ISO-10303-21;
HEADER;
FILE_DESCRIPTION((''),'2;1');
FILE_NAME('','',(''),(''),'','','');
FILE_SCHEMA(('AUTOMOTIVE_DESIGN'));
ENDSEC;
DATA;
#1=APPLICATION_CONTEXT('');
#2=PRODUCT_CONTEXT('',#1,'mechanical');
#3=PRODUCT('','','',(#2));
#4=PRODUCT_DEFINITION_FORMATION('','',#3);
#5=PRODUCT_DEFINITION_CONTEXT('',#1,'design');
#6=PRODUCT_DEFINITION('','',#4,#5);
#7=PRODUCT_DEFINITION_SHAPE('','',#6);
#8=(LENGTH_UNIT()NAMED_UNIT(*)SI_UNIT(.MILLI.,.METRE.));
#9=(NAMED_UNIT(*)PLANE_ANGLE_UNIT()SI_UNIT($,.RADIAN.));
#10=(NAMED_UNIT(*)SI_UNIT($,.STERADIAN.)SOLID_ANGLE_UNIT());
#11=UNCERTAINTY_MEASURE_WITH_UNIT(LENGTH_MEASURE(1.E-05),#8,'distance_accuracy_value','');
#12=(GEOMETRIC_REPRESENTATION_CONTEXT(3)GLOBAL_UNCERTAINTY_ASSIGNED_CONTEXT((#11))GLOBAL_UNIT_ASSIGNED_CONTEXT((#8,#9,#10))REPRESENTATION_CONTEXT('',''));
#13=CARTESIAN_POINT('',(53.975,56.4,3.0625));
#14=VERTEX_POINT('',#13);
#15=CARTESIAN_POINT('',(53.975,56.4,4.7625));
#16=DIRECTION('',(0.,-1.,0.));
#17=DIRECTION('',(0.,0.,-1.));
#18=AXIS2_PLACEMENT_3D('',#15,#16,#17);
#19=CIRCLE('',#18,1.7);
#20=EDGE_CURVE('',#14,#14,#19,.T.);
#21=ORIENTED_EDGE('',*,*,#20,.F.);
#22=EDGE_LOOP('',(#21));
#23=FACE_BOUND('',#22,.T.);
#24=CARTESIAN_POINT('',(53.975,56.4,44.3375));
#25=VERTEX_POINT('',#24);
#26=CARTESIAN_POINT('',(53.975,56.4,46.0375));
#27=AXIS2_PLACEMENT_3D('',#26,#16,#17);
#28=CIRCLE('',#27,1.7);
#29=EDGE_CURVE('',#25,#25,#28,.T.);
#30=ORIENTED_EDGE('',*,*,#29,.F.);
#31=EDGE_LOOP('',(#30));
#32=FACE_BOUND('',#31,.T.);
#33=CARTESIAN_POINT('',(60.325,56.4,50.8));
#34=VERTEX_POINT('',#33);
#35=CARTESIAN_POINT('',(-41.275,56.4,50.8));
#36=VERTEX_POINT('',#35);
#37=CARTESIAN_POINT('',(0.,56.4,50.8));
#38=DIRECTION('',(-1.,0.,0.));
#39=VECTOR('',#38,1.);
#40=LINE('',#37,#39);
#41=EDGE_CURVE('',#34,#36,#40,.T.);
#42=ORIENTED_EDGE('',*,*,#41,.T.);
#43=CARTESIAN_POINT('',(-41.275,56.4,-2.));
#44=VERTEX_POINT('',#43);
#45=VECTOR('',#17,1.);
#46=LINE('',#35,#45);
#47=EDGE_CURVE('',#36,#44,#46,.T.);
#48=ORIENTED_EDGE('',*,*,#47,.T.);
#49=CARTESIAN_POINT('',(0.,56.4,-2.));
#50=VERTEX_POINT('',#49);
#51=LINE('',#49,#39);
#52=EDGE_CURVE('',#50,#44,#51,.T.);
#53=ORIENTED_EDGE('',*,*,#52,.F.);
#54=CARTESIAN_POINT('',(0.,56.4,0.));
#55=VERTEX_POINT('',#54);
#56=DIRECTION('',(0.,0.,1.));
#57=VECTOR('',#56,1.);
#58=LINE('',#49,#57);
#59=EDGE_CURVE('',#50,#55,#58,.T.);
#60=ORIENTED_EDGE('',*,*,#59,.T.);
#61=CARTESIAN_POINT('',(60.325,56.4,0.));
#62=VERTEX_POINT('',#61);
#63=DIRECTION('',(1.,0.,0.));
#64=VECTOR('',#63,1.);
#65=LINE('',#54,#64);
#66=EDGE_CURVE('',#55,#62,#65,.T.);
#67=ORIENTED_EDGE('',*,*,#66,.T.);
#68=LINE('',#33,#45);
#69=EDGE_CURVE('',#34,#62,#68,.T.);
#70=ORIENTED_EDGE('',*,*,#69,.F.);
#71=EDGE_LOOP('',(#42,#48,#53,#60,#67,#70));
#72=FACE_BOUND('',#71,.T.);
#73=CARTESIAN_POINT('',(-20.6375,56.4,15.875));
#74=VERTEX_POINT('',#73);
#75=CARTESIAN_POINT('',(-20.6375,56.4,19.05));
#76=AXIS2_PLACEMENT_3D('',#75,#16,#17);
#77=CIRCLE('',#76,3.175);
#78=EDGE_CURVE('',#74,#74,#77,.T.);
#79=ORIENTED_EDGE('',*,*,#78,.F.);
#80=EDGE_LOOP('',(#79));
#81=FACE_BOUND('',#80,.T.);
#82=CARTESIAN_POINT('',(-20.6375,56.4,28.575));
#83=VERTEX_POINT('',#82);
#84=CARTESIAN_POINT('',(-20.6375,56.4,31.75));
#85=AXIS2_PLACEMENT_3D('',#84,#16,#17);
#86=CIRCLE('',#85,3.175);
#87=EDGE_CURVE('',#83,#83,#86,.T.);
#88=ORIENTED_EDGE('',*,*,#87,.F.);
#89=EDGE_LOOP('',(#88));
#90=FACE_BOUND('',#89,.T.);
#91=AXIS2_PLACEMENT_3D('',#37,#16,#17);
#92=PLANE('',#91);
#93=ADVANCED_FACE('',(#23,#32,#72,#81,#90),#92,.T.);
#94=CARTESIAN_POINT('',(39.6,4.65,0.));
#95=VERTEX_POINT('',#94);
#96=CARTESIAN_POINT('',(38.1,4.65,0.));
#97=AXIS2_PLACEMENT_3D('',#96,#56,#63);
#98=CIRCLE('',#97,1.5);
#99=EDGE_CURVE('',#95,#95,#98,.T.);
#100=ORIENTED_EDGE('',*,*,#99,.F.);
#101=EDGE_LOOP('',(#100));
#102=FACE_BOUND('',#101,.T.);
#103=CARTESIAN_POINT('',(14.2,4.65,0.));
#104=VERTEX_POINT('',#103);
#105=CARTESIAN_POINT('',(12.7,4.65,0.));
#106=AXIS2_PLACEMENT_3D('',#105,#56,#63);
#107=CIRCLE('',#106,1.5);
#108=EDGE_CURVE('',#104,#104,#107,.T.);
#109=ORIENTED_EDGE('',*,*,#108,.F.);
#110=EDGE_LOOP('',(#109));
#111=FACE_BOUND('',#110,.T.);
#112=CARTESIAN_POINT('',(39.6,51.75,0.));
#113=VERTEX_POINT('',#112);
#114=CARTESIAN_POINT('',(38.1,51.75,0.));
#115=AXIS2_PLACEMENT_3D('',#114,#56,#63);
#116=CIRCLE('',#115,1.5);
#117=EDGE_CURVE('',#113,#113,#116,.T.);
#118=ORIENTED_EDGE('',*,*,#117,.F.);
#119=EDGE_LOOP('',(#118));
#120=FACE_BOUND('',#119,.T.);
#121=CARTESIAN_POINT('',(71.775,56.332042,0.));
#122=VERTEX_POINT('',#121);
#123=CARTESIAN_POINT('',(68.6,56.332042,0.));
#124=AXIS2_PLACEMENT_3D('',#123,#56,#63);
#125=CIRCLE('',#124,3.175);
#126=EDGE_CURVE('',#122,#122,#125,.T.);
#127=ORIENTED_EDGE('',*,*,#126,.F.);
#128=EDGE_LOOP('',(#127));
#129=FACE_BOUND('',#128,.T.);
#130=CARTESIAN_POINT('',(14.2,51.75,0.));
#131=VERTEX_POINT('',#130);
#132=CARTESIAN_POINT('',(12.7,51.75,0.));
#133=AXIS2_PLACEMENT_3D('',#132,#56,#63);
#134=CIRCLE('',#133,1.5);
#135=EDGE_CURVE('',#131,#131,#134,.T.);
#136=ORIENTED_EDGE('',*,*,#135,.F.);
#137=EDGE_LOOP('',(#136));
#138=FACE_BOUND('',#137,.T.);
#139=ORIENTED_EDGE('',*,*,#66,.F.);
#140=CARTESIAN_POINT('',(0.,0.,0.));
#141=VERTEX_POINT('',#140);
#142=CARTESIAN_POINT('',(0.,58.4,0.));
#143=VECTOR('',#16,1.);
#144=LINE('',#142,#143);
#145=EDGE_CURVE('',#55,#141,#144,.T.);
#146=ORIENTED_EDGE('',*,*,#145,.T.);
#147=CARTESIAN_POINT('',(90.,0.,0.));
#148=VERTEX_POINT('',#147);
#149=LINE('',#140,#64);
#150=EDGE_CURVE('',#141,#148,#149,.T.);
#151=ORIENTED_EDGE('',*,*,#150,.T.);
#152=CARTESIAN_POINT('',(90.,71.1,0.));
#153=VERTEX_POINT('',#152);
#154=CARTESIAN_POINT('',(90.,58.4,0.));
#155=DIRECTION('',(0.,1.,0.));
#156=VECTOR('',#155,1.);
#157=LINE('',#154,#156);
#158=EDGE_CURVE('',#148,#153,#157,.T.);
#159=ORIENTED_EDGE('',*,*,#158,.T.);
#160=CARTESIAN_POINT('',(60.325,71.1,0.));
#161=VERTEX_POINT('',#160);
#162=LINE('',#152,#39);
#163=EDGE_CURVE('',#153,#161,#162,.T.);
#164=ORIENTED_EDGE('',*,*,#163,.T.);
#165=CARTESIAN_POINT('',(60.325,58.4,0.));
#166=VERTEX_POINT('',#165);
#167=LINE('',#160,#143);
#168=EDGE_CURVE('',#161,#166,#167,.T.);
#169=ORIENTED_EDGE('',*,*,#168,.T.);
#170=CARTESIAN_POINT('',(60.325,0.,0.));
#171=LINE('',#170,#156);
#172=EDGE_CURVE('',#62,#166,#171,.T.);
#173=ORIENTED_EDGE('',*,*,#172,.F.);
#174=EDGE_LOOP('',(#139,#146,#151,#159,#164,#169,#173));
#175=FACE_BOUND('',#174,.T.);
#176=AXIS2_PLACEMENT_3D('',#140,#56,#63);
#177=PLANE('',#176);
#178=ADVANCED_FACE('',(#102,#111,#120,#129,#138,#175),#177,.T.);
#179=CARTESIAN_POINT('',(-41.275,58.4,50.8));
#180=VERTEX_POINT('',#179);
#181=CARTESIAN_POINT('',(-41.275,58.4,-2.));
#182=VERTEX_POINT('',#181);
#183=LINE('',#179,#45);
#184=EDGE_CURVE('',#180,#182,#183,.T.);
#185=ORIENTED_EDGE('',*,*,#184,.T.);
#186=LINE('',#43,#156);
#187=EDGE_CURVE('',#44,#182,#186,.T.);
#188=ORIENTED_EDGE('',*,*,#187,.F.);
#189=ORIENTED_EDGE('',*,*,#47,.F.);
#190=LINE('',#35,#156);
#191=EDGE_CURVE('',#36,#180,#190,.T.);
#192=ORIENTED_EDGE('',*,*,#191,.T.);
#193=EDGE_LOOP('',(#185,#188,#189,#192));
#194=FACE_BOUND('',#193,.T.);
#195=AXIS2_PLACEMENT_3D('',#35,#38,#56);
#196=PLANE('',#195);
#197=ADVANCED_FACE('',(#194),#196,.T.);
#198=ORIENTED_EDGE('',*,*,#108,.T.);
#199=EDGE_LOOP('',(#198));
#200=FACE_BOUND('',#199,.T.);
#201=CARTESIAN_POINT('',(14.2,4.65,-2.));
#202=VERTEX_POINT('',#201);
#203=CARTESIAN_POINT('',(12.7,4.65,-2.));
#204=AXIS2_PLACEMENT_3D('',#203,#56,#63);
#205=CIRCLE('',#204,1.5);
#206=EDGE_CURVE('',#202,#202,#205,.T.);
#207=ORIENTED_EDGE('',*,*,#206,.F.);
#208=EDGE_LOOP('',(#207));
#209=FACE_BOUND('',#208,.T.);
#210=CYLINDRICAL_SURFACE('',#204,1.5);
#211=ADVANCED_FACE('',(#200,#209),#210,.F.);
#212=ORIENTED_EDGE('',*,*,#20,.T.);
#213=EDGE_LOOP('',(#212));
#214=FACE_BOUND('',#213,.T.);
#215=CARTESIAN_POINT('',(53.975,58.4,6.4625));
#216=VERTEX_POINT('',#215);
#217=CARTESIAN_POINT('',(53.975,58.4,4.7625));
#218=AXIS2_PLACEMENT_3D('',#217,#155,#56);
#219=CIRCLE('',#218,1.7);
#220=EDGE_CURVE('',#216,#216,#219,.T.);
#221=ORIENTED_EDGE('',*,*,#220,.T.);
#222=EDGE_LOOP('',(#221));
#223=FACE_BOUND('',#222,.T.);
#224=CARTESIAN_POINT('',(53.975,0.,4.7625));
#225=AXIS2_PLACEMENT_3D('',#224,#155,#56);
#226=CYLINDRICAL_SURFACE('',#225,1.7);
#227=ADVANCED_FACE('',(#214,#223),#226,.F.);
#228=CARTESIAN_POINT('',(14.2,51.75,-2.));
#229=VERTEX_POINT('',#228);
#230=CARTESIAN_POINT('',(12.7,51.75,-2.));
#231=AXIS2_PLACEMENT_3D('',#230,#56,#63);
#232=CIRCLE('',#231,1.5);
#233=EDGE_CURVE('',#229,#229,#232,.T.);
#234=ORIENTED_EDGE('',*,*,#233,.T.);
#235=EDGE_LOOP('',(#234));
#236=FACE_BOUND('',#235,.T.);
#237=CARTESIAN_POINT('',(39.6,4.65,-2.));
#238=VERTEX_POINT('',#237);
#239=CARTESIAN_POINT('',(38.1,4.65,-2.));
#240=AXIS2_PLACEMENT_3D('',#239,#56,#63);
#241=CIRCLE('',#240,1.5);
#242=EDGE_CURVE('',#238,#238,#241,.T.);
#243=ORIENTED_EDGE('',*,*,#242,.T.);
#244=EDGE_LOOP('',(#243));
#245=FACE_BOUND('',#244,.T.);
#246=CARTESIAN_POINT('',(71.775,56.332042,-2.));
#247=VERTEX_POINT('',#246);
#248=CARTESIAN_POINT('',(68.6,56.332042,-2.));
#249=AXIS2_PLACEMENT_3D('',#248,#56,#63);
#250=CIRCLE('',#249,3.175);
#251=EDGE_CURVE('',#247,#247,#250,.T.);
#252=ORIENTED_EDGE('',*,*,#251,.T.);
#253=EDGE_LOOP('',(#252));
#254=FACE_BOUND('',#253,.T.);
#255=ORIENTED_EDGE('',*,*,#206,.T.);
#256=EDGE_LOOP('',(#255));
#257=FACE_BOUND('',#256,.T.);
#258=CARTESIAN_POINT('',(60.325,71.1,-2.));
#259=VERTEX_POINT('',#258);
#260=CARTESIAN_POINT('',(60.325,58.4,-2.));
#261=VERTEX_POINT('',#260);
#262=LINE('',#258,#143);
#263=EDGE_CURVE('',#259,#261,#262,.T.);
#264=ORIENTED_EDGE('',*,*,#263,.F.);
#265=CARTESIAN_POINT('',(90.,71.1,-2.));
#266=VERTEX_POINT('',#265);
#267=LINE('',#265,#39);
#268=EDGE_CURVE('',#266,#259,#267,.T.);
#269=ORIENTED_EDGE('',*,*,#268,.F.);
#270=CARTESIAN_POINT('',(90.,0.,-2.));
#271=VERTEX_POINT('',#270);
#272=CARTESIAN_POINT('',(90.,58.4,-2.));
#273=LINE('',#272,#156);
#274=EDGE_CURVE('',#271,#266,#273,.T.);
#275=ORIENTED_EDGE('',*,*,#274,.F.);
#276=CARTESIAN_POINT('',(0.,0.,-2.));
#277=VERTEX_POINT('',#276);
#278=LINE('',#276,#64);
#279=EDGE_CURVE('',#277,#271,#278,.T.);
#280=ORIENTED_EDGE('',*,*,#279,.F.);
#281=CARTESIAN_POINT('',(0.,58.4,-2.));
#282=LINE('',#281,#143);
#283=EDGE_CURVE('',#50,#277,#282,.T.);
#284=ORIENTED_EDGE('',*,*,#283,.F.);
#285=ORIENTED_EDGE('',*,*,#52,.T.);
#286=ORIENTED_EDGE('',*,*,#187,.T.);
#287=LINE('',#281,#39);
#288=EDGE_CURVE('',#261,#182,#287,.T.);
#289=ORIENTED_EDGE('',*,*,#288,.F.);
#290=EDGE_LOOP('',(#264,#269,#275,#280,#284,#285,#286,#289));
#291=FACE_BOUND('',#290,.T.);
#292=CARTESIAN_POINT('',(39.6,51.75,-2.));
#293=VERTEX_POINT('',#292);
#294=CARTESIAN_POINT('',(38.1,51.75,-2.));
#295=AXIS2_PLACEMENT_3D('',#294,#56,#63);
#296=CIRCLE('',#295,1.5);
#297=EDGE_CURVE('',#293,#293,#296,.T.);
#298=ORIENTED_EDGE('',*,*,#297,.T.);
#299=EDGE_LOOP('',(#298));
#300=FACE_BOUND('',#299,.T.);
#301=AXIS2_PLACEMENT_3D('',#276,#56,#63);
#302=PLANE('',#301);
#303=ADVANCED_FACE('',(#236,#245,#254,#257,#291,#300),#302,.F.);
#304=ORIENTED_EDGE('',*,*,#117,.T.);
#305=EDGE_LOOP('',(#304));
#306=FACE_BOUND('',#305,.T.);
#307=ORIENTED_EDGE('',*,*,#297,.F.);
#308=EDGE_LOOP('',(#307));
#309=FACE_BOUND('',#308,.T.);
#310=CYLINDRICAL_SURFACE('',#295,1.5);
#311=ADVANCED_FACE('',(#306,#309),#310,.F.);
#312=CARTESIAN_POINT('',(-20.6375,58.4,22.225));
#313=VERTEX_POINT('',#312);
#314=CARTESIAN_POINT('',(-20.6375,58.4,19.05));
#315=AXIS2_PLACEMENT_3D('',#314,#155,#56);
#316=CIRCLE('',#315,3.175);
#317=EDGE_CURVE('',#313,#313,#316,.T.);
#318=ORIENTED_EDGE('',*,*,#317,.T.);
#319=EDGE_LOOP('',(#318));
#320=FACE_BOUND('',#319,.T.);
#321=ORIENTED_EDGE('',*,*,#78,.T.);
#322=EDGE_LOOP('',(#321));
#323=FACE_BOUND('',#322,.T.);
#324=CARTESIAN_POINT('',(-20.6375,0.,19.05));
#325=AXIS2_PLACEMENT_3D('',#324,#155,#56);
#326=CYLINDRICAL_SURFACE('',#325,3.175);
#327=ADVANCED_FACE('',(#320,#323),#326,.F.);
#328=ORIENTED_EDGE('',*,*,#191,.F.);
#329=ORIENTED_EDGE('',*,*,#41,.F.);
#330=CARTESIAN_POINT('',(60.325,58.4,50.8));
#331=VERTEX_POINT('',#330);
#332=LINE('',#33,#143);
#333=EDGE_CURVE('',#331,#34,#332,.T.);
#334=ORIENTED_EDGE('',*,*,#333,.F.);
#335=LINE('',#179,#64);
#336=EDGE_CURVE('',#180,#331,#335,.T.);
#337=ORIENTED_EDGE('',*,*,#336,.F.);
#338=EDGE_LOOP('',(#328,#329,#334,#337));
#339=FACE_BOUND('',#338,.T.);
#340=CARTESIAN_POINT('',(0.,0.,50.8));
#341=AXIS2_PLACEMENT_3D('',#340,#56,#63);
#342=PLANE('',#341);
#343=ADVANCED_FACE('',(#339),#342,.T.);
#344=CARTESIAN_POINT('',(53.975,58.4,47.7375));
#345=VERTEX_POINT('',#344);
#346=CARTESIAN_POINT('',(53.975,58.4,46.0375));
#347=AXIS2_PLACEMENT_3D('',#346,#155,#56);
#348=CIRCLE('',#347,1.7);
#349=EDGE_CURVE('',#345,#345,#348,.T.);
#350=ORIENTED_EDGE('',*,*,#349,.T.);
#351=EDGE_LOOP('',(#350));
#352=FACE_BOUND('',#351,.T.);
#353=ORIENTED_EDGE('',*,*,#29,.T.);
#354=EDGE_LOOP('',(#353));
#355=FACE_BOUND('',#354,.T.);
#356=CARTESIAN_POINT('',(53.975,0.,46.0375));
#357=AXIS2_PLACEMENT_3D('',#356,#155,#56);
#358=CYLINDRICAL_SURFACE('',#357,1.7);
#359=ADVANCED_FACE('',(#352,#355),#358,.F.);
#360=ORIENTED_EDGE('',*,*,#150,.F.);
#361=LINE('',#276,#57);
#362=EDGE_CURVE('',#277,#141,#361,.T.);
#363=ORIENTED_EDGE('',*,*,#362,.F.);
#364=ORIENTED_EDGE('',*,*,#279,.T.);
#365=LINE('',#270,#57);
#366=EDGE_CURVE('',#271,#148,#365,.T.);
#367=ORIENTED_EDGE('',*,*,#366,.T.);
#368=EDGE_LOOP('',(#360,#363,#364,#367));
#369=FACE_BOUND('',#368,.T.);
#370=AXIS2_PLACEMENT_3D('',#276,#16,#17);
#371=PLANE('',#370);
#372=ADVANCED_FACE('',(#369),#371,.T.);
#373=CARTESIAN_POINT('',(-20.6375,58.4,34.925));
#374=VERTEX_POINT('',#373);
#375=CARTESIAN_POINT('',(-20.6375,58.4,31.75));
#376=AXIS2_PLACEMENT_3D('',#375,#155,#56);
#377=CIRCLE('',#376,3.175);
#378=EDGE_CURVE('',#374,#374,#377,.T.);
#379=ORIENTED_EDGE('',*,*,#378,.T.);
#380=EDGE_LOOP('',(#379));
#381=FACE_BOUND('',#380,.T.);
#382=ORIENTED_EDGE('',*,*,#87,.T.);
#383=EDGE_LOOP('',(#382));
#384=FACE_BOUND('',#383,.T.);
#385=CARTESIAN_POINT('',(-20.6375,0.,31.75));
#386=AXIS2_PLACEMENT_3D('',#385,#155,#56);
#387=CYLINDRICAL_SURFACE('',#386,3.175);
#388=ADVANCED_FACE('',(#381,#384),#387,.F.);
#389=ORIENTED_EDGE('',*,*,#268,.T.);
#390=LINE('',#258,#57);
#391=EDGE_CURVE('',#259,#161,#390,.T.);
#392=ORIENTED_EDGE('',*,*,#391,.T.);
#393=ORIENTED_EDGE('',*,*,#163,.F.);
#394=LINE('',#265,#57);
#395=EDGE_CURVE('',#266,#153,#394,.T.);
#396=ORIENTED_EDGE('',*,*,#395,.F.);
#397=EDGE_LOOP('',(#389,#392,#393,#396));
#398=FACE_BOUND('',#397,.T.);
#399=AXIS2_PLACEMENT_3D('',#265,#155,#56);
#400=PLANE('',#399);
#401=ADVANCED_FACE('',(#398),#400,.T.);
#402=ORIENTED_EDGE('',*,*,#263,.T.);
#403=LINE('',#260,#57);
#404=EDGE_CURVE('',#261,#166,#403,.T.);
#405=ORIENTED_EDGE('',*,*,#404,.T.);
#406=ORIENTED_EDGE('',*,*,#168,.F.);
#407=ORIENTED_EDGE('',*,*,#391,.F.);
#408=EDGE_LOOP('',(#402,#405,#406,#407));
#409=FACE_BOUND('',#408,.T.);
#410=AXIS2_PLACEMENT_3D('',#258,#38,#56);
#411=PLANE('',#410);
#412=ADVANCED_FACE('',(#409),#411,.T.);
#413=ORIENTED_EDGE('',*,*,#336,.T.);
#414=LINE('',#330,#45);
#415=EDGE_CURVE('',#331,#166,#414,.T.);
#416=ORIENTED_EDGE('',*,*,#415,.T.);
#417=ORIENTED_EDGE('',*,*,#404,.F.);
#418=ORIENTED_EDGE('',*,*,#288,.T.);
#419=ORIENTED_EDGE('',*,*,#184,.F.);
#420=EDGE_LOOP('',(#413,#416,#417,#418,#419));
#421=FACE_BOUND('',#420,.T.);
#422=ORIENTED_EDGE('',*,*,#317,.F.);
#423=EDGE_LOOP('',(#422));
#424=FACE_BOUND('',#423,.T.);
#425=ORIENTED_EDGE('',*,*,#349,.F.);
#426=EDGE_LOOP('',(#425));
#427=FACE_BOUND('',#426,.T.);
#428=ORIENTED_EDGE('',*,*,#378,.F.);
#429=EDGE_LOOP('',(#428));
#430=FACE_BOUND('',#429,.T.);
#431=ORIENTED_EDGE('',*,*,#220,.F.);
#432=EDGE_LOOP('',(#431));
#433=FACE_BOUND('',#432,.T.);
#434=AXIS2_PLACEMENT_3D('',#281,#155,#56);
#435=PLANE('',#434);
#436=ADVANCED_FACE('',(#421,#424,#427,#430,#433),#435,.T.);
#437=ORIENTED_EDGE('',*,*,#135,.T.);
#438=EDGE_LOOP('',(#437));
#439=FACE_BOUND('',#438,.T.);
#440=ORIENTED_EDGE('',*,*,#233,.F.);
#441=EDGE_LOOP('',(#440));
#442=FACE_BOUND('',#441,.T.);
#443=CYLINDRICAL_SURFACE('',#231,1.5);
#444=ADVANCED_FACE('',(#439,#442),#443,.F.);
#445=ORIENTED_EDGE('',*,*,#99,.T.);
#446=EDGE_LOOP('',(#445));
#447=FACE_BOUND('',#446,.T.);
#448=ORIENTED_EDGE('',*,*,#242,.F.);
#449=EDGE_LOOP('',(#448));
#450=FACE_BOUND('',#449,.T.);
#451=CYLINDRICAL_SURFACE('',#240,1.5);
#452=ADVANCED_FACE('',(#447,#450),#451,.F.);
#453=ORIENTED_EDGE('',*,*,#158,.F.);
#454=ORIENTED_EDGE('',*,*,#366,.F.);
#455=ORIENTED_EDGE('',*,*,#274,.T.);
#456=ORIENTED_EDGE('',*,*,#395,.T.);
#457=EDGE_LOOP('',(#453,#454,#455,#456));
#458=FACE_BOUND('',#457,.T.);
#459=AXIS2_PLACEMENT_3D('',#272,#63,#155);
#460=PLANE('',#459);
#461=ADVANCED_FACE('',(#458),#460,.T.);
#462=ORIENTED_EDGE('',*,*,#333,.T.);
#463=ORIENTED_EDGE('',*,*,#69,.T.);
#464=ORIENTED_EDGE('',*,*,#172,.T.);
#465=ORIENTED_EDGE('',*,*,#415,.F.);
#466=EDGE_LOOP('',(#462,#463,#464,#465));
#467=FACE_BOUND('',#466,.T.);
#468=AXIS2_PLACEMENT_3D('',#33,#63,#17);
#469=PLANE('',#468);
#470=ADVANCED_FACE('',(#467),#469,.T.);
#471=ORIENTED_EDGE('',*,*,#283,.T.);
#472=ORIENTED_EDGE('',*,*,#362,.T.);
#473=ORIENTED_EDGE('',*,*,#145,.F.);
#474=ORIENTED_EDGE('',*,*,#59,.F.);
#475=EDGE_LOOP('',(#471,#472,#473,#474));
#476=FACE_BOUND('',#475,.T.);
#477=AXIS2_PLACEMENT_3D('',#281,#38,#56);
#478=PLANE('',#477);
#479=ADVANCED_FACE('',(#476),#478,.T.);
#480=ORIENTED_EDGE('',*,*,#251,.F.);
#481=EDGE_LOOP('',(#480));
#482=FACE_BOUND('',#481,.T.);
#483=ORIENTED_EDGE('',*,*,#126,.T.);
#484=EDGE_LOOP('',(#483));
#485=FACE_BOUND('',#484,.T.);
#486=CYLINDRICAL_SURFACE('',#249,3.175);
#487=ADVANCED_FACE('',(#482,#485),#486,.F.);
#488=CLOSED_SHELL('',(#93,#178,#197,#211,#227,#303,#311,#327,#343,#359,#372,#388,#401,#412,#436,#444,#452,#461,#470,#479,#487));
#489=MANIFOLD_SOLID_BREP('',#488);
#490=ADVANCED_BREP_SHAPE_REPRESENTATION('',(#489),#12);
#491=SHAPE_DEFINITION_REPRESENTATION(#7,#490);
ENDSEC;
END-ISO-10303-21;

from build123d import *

# Parameters (mm, degrees)
SKETCH1_R           = 3.175
SKETCH1_R_2         = 1.5
BOSS_EXTRUDE1_DEPTH = 2
BOSS_EXTRUDE2_DEPTH = 52.8
SKETCH3_R           = 1.7
SKETCH3_R_2         = 3.175
CUT_EXTRUDE1_DEPTH  = 119.706360402


with BuildPart() as part:
    # Sketch1 → Boss-Extrude1 (new body)
    with BuildSketch(Plane.XY):
        Polygon((0, 58.4), (60.325, 58.4), (60.325, 71.1), (90, 71.1), (90, 58.4), (90, 0), (0, 0), align=None)
        with Locations((68.6, 56.33204182)):
            Circle(SKETCH1_R, mode=Mode.SUBTRACT)
        with Locations((12.7, 51.75)):
            Circle(SKETCH1_R_2, mode=Mode.SUBTRACT)
        with Locations((38.1, 51.75)):
            Circle(SKETCH1_R_2, mode=Mode.SUBTRACT)
        with Locations((12.7, 4.65)):
            Circle(SKETCH1_R_2, mode=Mode.SUBTRACT)
        with Locations((38.1, 4.65)):
            Circle(SKETCH1_R_2, mode=Mode.SUBTRACT)
    extrude(amount=-BOSS_EXTRUDE1_DEPTH)

    # Sketch2 → Boss-Extrude2 (add)
    with BuildSketch(Plane(origin=(0, 0, -2), x_dir=(-1, 0, 0), z_dir=(0, 0, -1))):
        Polygon((0, 56.4), (41.275, 56.4), (41.275, 58.4), (0, 58.4), (-60.325, 58.4), (-60.325, 56.4), align=None)
    extrude(amount=-BOSS_EXTRUDE2_DEPTH)

    # Sketch3 → Cut-Extrude1 (cut, through all)
    with BuildSketch(Plane(origin=(0, 58.4, 0), x_dir=(1, 0, 0), z_dir=(0, 1, 0))):
        with Locations(Location((53.975, -4.7625, 0), (0, 0, 270))):
            Circle(SKETCH3_R)
        with Locations(Location((53.975, -46.0375, 0), (0, 0, 270))):
            Circle(SKETCH3_R)
        with Locations(Location((-20.6375, -31.75, 0), (0, 0, 270))):
            Circle(SKETCH3_R_2)
        with Locations(Location((-20.6375, -19.05, 0), (0, 0, 270))):
            Circle(SKETCH3_R_2)
    extrude(amount=-CUT_EXTRUDE1_DEPTH, mode=Mode.SUBTRACT)


solid = part.part
